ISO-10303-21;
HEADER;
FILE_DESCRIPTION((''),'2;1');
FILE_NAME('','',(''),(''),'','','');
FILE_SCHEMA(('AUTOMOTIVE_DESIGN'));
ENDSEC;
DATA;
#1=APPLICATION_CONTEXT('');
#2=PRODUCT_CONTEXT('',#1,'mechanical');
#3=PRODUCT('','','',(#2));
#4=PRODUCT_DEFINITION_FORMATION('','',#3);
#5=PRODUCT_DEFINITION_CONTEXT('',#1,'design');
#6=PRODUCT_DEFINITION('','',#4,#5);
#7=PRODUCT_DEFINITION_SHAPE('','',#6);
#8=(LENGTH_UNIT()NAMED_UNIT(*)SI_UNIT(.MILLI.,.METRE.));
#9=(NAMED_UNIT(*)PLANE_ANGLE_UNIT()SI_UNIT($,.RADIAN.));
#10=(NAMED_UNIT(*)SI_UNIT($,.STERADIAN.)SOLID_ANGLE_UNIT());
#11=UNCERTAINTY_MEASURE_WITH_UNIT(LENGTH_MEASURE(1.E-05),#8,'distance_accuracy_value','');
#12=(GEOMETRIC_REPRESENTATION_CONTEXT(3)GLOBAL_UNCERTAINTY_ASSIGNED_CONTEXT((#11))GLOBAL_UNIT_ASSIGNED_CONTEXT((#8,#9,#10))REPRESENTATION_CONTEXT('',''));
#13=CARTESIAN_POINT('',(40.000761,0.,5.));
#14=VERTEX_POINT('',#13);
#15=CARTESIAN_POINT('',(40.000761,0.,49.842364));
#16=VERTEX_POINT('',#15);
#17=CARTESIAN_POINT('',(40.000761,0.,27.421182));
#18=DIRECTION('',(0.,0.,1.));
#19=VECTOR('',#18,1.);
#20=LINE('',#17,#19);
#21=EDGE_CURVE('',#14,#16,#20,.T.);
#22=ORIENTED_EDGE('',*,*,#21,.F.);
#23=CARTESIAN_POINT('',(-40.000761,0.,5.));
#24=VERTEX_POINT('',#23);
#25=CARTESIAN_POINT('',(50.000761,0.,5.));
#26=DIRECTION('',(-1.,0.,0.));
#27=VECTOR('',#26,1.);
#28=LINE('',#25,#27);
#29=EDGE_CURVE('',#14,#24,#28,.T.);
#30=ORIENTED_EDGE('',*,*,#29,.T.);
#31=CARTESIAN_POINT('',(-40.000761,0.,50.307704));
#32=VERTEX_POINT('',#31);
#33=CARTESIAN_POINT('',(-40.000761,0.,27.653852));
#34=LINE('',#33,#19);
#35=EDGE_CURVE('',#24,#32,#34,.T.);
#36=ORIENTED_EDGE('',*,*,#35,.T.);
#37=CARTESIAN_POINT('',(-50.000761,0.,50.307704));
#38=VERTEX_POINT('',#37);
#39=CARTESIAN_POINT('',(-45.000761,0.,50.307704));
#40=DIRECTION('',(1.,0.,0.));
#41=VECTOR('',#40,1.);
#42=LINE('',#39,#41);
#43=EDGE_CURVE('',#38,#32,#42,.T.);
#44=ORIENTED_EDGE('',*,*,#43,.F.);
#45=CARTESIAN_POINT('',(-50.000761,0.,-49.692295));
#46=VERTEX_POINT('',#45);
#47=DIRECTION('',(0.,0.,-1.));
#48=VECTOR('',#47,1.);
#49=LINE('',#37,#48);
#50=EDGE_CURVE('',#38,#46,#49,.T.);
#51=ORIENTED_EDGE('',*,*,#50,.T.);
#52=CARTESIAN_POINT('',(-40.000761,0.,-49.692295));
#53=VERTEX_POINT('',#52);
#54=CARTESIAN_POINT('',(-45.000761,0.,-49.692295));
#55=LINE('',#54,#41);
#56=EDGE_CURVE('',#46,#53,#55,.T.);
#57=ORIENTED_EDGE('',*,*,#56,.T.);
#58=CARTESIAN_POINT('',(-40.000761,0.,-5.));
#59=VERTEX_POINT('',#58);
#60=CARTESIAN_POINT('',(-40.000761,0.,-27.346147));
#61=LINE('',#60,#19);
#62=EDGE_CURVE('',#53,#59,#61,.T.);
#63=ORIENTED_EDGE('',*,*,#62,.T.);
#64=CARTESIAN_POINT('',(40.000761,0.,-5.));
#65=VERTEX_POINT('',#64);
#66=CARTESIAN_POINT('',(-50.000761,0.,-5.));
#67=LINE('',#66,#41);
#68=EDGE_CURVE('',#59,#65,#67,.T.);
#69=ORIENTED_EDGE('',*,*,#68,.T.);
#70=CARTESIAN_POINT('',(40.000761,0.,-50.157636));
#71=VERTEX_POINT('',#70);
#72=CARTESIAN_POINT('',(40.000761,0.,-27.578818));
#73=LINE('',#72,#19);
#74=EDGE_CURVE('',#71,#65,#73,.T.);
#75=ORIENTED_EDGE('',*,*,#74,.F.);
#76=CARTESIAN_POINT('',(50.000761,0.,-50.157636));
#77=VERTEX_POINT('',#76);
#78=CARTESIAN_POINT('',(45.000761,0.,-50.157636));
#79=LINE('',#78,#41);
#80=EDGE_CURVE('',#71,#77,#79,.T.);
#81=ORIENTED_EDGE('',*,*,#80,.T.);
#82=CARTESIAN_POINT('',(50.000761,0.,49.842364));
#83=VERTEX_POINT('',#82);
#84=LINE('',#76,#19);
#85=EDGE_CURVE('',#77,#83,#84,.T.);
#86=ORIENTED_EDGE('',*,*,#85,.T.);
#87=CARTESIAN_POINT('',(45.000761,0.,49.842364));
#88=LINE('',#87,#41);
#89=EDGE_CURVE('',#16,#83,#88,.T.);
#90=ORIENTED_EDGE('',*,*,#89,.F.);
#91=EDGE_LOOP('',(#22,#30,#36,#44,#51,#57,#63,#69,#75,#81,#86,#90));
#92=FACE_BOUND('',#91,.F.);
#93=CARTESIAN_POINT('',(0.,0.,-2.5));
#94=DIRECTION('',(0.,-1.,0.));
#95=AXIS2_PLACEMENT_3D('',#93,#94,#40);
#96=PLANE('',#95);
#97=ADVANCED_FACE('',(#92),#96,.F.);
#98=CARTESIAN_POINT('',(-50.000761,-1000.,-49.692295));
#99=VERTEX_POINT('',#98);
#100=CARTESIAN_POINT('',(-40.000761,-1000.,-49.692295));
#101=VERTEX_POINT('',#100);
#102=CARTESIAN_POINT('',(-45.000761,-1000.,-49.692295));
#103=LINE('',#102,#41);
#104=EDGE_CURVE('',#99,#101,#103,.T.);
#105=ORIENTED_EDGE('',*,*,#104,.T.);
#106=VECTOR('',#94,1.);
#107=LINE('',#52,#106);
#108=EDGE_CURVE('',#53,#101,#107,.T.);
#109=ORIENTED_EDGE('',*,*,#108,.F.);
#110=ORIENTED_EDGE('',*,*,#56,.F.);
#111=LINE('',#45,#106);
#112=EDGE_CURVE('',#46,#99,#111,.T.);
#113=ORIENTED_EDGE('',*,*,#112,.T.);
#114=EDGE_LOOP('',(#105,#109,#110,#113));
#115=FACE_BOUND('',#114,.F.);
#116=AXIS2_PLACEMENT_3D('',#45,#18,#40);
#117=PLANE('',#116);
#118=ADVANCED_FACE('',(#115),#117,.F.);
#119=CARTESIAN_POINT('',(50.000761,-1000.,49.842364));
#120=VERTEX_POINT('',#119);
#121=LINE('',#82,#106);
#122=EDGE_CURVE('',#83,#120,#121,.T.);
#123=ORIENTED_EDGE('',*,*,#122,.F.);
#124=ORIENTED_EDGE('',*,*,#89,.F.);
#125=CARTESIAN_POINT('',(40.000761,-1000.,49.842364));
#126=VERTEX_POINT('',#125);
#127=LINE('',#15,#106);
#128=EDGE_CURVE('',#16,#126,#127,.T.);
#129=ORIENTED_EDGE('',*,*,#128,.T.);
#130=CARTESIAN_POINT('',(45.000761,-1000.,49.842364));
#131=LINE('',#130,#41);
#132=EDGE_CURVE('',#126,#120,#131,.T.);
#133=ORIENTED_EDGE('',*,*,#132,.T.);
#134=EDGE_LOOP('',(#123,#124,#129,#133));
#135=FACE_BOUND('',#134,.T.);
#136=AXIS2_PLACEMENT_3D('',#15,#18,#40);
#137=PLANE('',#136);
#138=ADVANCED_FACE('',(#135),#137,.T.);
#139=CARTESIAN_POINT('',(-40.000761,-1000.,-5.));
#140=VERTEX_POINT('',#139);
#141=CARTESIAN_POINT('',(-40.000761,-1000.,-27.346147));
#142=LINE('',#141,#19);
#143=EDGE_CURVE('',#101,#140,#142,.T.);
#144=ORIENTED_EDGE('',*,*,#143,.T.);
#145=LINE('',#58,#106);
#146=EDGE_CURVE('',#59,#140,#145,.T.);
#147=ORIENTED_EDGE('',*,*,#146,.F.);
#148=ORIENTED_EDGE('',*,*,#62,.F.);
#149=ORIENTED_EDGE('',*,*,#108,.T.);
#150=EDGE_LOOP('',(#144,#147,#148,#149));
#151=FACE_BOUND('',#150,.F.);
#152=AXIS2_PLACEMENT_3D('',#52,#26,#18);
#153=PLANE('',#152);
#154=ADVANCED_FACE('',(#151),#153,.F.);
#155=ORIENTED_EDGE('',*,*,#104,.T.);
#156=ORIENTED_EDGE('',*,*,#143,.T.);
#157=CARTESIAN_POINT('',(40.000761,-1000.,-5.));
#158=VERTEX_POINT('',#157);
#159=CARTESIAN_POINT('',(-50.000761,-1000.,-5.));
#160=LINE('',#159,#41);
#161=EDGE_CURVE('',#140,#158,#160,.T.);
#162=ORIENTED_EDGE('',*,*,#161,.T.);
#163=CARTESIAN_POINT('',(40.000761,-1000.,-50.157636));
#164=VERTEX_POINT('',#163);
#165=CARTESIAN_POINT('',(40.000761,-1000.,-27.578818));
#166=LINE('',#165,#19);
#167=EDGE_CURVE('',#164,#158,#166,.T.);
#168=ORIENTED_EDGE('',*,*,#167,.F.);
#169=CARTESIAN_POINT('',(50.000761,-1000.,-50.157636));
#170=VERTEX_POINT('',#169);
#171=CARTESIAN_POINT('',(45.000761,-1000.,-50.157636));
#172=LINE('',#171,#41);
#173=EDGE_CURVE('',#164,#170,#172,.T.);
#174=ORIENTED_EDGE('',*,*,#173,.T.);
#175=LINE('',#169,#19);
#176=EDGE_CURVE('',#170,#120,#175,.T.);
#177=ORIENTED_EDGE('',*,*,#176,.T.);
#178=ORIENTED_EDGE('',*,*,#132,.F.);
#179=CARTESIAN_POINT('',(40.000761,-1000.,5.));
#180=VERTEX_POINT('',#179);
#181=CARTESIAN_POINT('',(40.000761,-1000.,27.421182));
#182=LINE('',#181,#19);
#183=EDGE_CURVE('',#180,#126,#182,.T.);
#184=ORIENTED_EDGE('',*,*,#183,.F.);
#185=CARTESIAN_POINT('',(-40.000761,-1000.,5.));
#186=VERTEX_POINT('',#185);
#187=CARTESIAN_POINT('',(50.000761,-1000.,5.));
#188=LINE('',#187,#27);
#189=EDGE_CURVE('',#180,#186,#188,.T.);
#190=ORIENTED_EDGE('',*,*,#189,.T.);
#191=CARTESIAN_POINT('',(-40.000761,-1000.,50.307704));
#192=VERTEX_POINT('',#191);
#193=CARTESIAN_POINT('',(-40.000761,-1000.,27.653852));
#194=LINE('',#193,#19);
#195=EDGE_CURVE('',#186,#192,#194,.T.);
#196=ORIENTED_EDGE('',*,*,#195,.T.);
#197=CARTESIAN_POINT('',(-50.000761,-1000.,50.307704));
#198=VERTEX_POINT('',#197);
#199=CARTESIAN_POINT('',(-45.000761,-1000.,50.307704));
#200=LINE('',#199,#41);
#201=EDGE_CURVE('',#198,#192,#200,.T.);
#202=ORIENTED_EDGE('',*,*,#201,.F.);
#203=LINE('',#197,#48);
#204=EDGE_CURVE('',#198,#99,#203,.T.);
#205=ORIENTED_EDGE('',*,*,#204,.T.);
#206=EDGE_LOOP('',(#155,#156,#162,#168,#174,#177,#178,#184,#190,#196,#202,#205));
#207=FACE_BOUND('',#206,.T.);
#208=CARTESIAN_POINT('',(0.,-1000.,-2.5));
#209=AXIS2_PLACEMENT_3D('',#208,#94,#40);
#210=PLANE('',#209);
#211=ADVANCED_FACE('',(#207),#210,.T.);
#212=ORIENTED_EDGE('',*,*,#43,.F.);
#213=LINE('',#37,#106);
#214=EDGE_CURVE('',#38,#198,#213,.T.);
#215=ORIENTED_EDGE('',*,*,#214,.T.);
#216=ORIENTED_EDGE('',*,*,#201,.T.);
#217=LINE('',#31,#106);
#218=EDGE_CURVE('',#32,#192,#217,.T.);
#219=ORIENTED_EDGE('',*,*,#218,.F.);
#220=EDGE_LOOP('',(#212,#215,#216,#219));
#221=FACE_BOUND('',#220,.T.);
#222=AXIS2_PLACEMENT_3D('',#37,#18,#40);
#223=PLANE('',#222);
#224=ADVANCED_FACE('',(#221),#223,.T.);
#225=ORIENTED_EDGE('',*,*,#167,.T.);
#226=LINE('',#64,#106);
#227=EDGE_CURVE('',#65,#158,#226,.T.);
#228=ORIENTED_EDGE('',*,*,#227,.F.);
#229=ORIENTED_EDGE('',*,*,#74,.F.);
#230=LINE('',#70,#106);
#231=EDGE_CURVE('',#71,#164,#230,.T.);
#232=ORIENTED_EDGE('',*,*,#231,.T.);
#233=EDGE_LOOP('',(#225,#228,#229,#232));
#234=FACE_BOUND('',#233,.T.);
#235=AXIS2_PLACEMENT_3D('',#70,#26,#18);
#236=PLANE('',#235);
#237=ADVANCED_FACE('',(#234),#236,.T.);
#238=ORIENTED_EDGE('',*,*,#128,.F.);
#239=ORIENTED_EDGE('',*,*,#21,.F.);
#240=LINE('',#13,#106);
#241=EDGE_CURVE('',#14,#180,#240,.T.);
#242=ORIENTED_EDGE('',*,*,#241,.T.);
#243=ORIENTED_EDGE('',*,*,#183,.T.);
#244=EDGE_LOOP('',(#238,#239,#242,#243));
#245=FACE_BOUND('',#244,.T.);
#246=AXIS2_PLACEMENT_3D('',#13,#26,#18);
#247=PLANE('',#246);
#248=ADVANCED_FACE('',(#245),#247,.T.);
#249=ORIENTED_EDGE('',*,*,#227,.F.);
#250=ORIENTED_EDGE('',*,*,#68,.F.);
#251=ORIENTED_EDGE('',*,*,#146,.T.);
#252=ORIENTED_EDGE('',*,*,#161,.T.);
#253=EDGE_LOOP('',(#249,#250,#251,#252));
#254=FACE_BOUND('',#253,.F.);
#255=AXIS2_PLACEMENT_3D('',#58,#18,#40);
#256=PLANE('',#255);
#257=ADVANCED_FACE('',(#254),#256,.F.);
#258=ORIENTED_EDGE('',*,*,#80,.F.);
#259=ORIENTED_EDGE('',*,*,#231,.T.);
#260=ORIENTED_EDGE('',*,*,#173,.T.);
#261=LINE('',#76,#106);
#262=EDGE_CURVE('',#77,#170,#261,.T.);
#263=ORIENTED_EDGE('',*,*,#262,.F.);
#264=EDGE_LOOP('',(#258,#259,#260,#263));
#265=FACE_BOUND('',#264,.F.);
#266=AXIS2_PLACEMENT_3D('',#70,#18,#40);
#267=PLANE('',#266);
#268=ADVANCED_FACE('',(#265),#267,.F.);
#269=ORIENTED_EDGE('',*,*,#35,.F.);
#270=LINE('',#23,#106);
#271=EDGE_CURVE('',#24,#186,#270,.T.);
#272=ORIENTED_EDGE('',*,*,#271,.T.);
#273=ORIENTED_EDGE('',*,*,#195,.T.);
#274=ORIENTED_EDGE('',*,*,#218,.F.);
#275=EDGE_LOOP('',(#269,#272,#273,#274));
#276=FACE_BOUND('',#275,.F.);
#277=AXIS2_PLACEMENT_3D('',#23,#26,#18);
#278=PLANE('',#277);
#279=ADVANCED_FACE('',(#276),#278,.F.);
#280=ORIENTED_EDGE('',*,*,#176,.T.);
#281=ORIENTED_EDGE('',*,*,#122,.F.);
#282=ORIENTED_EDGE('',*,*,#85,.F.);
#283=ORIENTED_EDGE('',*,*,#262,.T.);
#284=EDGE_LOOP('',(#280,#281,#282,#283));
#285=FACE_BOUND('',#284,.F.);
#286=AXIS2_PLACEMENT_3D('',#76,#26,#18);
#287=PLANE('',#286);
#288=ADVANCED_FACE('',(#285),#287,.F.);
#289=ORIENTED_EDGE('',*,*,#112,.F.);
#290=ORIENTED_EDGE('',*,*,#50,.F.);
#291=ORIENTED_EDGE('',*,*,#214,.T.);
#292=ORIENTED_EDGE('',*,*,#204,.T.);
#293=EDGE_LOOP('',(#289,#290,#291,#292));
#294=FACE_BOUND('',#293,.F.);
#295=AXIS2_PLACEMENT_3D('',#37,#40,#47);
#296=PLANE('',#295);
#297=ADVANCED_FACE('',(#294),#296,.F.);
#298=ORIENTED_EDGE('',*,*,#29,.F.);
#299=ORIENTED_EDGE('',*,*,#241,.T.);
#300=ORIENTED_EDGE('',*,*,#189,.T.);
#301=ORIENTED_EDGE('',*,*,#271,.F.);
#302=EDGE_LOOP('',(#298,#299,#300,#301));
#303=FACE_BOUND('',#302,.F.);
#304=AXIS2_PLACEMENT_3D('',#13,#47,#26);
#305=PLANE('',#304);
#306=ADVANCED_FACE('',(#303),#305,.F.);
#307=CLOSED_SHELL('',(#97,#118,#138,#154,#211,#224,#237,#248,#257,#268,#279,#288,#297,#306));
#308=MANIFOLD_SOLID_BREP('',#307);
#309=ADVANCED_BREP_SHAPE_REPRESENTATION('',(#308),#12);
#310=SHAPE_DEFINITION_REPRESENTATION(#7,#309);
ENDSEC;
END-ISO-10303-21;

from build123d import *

# Parameters (mm, degrees)
F0_W     = 10
F0_H     = 5
F0_H_2   = 44.692295
F0_H_3   = 45.307705
F0_H_4   = 45.157636
F0_H_5   = 44.842364
F1_DEPTH = 1000


with BuildPart() as f1:
    # F0 (on Front) → F1 (new body)
    with BuildSketch(Plane.XZ):
        Polygon((40.000761, 0), (0, 0), (-40.000761, 0), (-40.000761, -5), (0, -5), (40.000761, -5), align=None)
        Polygon((-40.000761, 0), (0, 0), (40.000761, 0), (40.000761, 5), (0, 5), (-40.000761, 5), align=None)
        with Locations((-45.000761, -2.5)):
            Rectangle(F0_W, F0_H)
        with Locations((-45.000761, 2.5)):
            Rectangle(F0_W, F0_H)
        with Locations((45.000761, 2.5)):
            Rectangle(F0_W, F0_H)
        with Locations((45.000761, -2.5)):
            Rectangle(F0_W, F0_H)
        with Locations((-45.000761, -27.346147)):
            Rectangle(F0_W, F0_H_2)
        with Locations((-45.000761, 27.653852)):
            Rectangle(F0_W, F0_H_3)
        with Locations((45.000761, -27.578818)):
            Rectangle(F0_W, F0_H_4)
        with Locations((45.000761, 27.421182)):
            Rectangle(F0_W, F0_H_5)
    extrude(amount=F1_DEPTH)


solid = f1.part
